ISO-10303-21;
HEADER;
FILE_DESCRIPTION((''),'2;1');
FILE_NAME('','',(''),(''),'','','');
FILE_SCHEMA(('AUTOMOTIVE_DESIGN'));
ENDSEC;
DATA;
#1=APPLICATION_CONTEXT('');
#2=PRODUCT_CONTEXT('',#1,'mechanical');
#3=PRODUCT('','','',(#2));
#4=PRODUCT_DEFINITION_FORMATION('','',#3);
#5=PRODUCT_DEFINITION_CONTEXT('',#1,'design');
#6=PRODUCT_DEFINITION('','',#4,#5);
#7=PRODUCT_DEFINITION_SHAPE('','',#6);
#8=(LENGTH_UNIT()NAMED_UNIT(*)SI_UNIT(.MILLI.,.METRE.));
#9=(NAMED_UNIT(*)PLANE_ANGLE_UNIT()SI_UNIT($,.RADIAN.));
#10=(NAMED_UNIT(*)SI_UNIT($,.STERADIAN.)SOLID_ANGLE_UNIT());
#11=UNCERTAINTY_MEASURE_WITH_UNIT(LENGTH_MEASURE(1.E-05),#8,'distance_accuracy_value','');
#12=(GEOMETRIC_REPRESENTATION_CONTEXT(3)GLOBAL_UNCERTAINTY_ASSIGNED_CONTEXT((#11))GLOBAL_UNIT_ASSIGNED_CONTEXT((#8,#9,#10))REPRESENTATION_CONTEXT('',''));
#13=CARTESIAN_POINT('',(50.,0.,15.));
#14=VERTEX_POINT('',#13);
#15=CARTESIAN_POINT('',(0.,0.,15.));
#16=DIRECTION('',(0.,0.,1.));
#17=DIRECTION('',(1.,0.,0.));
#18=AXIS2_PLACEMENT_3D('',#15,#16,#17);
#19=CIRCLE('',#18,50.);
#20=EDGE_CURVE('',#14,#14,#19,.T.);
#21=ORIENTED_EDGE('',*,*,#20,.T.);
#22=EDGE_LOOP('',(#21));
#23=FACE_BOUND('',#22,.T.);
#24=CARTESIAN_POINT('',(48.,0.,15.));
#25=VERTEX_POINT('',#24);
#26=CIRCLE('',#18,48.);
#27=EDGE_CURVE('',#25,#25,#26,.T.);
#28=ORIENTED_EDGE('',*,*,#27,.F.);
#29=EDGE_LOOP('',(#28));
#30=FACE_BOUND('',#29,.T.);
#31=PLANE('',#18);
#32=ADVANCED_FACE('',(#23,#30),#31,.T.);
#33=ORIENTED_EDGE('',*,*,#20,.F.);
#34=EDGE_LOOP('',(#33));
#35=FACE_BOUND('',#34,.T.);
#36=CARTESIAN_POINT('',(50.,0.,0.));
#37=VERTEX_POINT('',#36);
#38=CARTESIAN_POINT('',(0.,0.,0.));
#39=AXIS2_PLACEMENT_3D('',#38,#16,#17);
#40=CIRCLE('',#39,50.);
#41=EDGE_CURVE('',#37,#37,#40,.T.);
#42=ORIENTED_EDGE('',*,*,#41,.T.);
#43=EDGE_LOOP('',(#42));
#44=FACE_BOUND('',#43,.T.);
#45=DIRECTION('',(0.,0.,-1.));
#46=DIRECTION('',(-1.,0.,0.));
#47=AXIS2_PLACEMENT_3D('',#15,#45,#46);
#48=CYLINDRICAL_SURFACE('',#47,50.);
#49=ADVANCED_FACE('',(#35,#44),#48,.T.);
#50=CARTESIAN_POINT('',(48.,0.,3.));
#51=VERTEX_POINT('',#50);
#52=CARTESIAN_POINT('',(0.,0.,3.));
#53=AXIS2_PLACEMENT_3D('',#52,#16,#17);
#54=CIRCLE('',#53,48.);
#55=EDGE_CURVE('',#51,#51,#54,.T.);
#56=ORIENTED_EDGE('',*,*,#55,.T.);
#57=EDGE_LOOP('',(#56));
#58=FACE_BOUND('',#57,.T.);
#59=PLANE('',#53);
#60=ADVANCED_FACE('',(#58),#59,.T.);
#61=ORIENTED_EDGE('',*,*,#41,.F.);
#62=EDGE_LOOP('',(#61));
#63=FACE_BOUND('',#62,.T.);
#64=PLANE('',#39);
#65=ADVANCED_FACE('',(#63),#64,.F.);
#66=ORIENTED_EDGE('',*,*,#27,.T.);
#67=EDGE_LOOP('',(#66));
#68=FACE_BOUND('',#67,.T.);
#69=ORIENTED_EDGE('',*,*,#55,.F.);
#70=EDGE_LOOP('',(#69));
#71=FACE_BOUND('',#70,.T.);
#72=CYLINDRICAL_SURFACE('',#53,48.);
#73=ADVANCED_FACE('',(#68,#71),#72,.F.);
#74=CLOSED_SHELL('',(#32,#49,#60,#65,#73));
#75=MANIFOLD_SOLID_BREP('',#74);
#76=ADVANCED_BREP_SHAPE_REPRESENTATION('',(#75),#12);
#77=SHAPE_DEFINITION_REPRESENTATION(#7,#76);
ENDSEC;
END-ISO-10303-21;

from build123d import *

# Parameters (mm, degrees)
SKETCH1_R           = 50
BOSS_EXTRUDE1_DEPTH = 15
SKETCH2_R           = 48
CUT_EXTRUDE1_DEPTH  = 12


with BuildPart() as part:
    # Sketch1 → Boss-Extrude1 (new body)
    with BuildSketch(Plane.XY):
        Circle(SKETCH1_R)
    extrude(amount=BOSS_EXTRUDE1_DEPTH)

    # Sketch2 → Cut-Extrude1 (cut)
    with BuildSketch(Plane.XY.offset(15)):
        Circle(SKETCH2_R)
    extrude(amount=-CUT_EXTRUDE1_DEPTH, mode=Mode.SUBTRACT)


solid = part.part
